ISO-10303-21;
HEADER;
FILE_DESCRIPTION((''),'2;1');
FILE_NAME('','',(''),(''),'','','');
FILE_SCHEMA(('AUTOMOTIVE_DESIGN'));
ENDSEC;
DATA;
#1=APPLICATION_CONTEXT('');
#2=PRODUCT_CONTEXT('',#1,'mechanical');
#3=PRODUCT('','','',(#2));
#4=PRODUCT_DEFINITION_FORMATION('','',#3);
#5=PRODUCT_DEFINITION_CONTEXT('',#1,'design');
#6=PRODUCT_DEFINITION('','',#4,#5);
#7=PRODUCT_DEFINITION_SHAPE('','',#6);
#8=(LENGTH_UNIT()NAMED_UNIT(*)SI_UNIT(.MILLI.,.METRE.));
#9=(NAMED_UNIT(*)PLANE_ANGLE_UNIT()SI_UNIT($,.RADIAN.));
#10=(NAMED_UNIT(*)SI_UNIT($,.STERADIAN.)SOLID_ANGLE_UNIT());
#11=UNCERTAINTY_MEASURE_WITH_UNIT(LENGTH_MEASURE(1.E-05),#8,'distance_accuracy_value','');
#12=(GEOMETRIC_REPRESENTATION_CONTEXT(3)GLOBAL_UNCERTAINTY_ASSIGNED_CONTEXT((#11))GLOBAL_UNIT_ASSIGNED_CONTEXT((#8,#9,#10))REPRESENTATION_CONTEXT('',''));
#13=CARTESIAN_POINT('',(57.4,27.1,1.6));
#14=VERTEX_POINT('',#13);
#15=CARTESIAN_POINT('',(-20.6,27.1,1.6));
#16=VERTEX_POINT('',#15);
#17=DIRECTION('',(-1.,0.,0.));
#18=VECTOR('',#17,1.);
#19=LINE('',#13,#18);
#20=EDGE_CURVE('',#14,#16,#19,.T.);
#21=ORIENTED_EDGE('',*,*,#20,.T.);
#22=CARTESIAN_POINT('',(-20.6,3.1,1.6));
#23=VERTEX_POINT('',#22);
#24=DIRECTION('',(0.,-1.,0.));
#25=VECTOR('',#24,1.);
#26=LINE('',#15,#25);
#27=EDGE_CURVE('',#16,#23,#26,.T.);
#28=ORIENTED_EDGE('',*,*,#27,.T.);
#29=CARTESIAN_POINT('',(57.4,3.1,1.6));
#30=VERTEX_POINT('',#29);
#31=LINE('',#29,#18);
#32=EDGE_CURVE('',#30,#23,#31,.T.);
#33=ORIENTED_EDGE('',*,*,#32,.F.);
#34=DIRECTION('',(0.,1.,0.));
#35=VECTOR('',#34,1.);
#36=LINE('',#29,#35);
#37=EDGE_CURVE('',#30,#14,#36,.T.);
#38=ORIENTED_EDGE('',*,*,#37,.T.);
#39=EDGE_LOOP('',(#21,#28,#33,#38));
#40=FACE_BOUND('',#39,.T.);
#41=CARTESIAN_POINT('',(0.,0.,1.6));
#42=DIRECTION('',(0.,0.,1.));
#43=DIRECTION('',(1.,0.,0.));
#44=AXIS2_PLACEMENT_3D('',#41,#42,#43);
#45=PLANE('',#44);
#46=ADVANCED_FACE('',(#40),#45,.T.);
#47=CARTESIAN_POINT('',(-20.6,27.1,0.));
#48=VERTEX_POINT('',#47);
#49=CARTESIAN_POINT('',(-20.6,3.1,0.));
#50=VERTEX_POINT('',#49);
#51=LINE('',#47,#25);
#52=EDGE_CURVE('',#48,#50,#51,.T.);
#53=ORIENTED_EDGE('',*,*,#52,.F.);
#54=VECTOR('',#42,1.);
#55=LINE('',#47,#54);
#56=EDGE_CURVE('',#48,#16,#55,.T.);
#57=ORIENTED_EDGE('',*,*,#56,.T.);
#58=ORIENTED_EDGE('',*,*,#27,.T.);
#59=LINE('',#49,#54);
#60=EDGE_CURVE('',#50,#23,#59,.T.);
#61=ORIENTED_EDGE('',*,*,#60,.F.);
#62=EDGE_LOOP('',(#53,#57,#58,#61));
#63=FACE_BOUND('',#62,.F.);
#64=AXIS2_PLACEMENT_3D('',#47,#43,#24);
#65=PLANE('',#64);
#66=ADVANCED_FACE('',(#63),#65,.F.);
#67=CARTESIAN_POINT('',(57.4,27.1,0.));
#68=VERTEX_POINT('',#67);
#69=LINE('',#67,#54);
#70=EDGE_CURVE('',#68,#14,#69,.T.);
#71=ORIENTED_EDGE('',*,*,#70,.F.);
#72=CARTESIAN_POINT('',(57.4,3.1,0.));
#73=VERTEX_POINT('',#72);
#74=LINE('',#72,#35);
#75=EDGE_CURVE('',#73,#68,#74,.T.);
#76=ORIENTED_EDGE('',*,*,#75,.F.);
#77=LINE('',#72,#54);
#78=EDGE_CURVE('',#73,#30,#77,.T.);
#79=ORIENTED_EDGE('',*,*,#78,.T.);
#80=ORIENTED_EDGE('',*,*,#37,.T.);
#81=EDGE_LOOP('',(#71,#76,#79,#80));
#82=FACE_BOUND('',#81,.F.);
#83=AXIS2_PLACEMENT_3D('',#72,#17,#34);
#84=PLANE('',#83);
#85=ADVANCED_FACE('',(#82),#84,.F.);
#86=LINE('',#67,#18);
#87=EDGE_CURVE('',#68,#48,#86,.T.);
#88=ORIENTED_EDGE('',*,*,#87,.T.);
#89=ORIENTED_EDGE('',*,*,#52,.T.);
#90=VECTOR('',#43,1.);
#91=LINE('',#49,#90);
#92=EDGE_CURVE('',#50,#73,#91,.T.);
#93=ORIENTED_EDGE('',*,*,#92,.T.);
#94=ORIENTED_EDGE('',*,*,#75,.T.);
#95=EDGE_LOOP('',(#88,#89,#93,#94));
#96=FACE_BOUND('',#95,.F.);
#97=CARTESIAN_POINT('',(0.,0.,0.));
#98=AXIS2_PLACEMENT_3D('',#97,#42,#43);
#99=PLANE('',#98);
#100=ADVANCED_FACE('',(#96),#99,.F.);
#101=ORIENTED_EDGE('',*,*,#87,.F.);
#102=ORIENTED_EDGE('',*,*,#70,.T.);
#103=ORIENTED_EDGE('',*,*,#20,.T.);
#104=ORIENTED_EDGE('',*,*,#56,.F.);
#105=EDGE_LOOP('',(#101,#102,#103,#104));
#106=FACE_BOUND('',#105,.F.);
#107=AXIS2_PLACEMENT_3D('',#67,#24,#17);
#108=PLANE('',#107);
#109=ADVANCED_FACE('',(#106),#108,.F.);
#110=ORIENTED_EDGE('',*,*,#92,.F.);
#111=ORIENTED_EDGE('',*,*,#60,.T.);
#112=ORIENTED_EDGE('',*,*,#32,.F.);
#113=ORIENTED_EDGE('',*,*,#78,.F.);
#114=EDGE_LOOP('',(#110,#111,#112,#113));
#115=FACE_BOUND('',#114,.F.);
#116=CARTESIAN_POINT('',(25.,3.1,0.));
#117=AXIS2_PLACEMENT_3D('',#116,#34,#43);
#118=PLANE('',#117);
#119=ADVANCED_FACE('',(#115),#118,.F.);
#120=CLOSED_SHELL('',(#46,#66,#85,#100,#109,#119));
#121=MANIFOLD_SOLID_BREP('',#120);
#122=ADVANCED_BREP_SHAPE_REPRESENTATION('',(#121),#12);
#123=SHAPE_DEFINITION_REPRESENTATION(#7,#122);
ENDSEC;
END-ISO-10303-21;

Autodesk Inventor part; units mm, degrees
ref_plane "YZ Plane" through (0, 0, 0) normal (1, 0, 0) x (0, 1, 0)
ref_plane "XZ Plane" through (0, 0, 0) normal (0, 1, 0) x (-1, 0, 0)
ref_plane "XY Plane" through (0, 0, 0) normal (0, 0, 1) x (1, 0, 0)
sketch "Szkic1" plane through (0, 0, 0) normal (0, 0, 1) x (1, 0, 0)
  line L0 (60.4, 41.4743) -> (60.4, -10.2735) projected
  line L1 (-23.6, 41.4743) -> (-23.6, -10.2735) projected
  arc A0 (51.3572, -8.86) -> (51.4986, -8.8014) centre (51.3572, -8.66) ccw projected
  line L2 (52.3414, -7.9586) -> (51.4986, -8.8014) projected
  arc A1 (52.4828, -7.9) -> (52.3414, -7.9586) centre (52.4828, -8.1) ccw projected
  line L3 (53.2, -7.9) -> (52.4828, -7.9) projected
  line L4 (53.2, -7.9) -> (53.2, -6.8) projected
  arc A2 (53.2, -6.8) -> (53, -6.6) centre (53, -6.8) ccw projected
  line L5 (53, -6.6) -> (48.6, -6.6) projected
  line L6 (48.6, -6.6) -> (48.6, 11.6) projected
  line L7 (48.6, 11.6) -> (25, 11.6) projected
  line L8 (25, 11.6) -> (25, -6.6) projected
  line L9 (25, -6.6) -> (20.6, -6.6) projected
  arc A3 (20.6, -6.6) -> (20.4, -6.8) centre (20.6, -6.8) ccw projected
  line L10 (20.4, -6.8) -> (20.4, -7.9) projected
  line L11 (20.4, -7.9) -> (21.0343, -7.9) projected
  arc A4 (21.3172, -8.0172) -> (21.0343, -7.9) centre (21.0343, -8.3) ccw projected
  line L12 (21.3172, -8.0172) -> (22.1014, -8.8014) projected
  arc A5 (22.1014, -8.8014) -> (22.2428, -8.86) centre (22.2428, -8.66) ccw projected
  line L13 (25, -8.86) -> (22.2428, -8.86) projected
  line L14 (25, -8.86) -> (25, -11.6) projected
  line L15 (25, -11.6) -> (28.4206, -11.6) projected
  line L16 (28.4206, -11.6) -> (28.4206, -16) projected
  line L17 (28.4206, -16) -> (32.7794, -16) projected
  line L18 (32.7794, -11.6) -> (32.7794, -16) projected
  line L19 (32.7794, -11.6) -> (48.6, -11.6) projected
  line L20 (48.6, -11.6) -> (48.6, -8.86) projected
  line L21 (48.6, -8.86) -> (51.3572, -8.86) projected
  arc A6 (-14.6986, -8.8014) -> (-14.5572, -8.86) centre (-14.5572, -8.66) ccw projected
  line L22 (-11.8, -8.86) -> (-14.5572, -8.86) projected
  line L23 (-11.8, -11.6) -> (-11.8, -8.86) projected
  line L24 (4.0206, -11.6) -> (-11.8, -11.6) projected
  line L25 (4.0206, -11.6) -> (4.0206, -16) projected
  line L26 (8.3794, -16) -> (4.0206, -16) projected
  line L27 (8.3794, -11.6) -> (8.3794, -16) projected
  line L28 (11.8, -11.6) -> (8.3794, -11.6) projected
  line L29 (11.8, -8.86) -> (11.8, -11.6) projected
  line L30 (11.8, -8.86) -> (14.5572, -8.86) projected
  arc A7 (14.5572, -8.86) -> (14.6986, -8.8014) centre (14.5572, -8.66) ccw projected
  line L31 (15.4828, -8.0172) -> (14.6986, -8.8014) projected
  arc A8 (15.7657, -7.9) -> (15.4828, -8.0172) centre (15.7657, -8.3) ccw projected
  line L32 (16.4, -7.9) -> (15.7657, -7.9) projected
  line L33 (16.4, -6.8) -> (16.4, -7.9) projected
  arc A9 (16.4, -6.8) -> (16.2, -6.6) centre (16.2, -6.8) ccw projected
  line L34 (11.8, -6.6) -> (16.2, -6.6) projected
  line L35 (11.8, 11.6) -> (11.8, -6.6) projected
  line L36 (-11.8, 11.6) -> (11.8, 11.6) projected
  line L37 (-11.8, -6.6) -> (-11.8, 11.6) projected
  line L38 (-16.2, -6.6) -> (-11.8, -6.6) projected
  arc A10 (-16.2, -6.6) -> (-16.4, -6.8) centre (-16.2, -6.8) ccw projected
  line L39 (-16.4, -7.9) -> (-16.4, -6.8) projected
  line L40 (-16.4, -7.9) -> (-15.6828, -7.9) projected
  arc A11 (-15.5414, -7.9586) -> (-15.6828, -7.9) centre (-15.6828, -8.1) ccw projected
  line L41 (-15.5414, -7.9586) -> (-14.6986, -8.8014) projected
  line L42 (60.4, 0.1) -> (-23.6, 0.1)
  line L43 (60.4, 0.1) -> (-23.6, 0.1)
  line L44 (-23.6, 0.1) -> (-23.6, 30.1)
  line L45 (-23.6, 30.1) -> (60.4, 30.1)
  line L46 (60.4, 30.1) -> (60.4, 0.1)
  line L47 (57.4, 27.1) -> (-20.6, 27.1)
  line L48 (-20.6, 27.1) -> (-20.6, 3.1)
  line L49 (-20.6, 3.1) -> (57.4, 3.1)
  line L50 (57.4, 3.1) -> (57.4, 27.1)
  point P0 (0, 0)
  dimension "d0" = 30
  dimension "d1" = 3
extrude "Wyciągnięcie proste1" add sketch "Szkic1" along normal blind 1.6 contours L49 L8 L7 L6 | L6 L7 L8 L49 L35 L36 L37 L48 L47 L50 | L37 L36 L35 L49
properties part number "PCB_2"
